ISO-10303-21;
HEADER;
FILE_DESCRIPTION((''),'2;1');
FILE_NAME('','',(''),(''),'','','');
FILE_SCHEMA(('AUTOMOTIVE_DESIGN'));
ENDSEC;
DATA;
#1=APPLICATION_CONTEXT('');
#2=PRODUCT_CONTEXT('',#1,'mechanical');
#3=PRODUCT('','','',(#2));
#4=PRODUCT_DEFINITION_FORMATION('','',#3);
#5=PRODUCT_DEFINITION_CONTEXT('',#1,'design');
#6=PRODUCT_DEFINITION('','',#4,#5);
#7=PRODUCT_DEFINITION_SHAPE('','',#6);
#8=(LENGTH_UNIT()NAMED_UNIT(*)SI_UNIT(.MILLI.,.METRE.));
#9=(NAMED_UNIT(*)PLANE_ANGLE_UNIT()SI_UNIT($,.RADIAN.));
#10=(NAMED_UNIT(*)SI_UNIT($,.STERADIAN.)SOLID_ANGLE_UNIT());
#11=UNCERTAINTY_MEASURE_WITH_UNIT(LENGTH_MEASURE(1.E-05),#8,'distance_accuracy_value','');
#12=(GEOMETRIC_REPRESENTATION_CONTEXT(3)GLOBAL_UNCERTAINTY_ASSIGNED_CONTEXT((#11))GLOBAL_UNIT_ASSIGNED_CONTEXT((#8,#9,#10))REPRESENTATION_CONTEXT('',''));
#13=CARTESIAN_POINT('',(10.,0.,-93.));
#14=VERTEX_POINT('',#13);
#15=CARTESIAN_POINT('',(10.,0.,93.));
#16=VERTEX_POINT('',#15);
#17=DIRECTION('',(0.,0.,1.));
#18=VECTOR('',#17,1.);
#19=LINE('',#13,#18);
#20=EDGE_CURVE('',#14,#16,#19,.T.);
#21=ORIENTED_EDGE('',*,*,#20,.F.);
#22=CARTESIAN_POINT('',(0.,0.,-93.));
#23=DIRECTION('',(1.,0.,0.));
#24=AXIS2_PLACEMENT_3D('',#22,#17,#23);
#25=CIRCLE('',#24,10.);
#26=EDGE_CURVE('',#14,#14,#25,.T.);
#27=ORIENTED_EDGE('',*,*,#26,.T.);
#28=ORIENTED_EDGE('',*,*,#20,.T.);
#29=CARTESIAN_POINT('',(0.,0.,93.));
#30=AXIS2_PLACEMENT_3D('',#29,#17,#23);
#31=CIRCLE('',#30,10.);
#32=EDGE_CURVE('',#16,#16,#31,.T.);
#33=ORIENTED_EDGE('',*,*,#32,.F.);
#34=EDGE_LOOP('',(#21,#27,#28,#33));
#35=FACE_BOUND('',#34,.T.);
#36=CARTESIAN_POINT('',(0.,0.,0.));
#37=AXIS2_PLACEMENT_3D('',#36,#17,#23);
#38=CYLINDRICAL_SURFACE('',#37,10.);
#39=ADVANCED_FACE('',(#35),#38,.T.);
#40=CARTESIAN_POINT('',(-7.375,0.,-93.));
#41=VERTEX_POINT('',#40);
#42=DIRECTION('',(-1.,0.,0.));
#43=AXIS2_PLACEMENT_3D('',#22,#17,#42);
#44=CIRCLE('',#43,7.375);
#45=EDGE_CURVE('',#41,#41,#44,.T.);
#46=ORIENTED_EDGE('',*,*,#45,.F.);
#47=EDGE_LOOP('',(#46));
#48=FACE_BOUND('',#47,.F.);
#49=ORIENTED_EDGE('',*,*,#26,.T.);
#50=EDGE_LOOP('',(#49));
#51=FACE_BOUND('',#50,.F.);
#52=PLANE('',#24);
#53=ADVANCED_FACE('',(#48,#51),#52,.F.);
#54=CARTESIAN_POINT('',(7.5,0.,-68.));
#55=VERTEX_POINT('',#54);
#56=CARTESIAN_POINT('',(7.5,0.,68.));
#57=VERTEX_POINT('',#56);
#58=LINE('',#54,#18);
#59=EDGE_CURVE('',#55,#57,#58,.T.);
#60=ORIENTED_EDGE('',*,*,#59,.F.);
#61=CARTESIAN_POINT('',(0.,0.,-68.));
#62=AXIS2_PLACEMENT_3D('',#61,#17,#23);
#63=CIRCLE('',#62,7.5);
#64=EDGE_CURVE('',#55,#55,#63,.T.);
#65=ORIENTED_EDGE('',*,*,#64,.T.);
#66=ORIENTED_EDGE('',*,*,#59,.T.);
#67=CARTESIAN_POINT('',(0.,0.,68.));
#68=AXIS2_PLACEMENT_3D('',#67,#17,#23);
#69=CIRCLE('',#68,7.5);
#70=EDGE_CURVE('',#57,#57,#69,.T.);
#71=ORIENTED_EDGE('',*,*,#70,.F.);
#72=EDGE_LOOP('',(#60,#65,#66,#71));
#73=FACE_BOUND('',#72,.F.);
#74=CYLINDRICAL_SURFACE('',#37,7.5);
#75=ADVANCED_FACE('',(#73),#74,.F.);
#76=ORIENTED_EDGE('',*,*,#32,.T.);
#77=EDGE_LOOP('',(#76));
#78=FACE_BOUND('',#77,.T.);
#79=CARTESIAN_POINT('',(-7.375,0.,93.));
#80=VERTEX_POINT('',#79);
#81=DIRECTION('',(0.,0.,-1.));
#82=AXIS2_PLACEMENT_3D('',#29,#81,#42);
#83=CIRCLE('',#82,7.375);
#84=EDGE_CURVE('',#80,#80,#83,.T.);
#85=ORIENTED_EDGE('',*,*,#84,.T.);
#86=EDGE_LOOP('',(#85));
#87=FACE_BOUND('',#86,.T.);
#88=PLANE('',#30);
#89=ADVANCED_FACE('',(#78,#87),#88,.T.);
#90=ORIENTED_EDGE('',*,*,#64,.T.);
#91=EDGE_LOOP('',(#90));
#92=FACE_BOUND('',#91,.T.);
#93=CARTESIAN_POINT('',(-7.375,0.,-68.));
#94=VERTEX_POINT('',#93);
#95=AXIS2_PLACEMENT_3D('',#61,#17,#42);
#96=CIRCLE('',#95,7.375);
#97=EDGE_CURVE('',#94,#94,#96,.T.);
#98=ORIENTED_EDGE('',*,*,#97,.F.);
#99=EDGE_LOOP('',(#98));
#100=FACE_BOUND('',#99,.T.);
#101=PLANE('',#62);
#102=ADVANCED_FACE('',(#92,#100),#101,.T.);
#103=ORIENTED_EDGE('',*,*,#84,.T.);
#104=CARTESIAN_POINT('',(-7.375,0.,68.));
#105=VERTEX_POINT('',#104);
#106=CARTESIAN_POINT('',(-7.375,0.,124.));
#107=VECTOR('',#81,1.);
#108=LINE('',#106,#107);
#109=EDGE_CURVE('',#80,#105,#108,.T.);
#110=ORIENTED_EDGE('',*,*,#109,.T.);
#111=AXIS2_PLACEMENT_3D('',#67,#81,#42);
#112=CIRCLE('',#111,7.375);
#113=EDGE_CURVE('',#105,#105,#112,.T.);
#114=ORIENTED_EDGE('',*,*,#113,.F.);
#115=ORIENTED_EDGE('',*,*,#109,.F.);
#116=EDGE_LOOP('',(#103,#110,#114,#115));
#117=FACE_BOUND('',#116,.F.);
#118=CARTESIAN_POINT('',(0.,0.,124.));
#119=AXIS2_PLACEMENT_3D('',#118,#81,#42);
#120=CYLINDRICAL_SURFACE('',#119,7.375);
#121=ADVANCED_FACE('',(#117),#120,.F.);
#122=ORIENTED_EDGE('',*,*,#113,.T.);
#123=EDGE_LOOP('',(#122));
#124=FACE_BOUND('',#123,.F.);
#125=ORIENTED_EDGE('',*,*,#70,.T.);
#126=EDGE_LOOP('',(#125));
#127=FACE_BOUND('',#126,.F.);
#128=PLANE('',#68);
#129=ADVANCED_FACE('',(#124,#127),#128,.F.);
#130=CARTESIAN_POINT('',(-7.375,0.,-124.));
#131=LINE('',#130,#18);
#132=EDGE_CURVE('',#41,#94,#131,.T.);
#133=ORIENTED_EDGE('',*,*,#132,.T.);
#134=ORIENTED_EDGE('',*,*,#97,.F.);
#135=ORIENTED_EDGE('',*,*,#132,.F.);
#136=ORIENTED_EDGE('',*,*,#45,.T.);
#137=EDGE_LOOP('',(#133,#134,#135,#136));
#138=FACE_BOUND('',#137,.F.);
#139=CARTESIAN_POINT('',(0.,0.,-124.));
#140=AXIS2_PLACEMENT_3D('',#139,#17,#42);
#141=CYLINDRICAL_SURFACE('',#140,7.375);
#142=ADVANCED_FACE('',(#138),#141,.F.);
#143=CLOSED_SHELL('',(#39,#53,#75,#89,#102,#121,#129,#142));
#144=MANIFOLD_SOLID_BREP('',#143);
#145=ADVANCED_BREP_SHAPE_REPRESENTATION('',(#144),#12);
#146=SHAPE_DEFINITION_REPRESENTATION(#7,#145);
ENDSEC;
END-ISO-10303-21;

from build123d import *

# Parameters (mm, degrees)
F0_R           = 10
F1_DEPTH       = 93
F4_D           = 14.75
F4_DEPTH       = 31
F4_TIP         = 4.4313470653
F4_ON_F2_D     = 14.75
F4_ON_F2_DEPTH = 31
F4_ON_F2_TIP   = 4.4313470653
F5_R           = 7.5
F6_DEPTH       = 68


with BuildPart() as f1:
    # F0 (on Top) → F1 (new body, symmetric)
    with BuildSketch(Plane.XY):
        Circle(F0_R)
    extrude(amount=F1_DEPTH, both=True)

    # F4
    with Locations(Plane.XY.offset(93)):
        with Locations((0, 0)):
            Hole(F4_D / 2, depth=F4_DEPTH)
            with Locations((0, 0, -(F4_DEPTH + F4_TIP / 2))):  # 118° drill point
                Cone(0, F4_D / 2, F4_TIP, mode=Mode.SUBTRACT)

    # F4 on F2
    with Locations(Plane(origin=(0, 0, -93), x_dir=(1, 0, 0), z_dir=(0, 0, -1))):
        with Locations((0, 0)):
            Hole(F4_ON_F2_D / 2, depth=F4_ON_F2_DEPTH)
            with Locations((0, 0, -(F4_ON_F2_DEPTH + F4_ON_F2_TIP / 2))):  # 118° drill point
                Cone(0, F4_ON_F2_D / 2, F4_ON_F2_TIP, mode=Mode.SUBTRACT)

    # F5 (on Top) → F6 (cut, symmetric)
    with BuildSketch(Plane.XY):
        Circle(F5_R)
    extrude(amount=F6_DEPTH, both=True, mode=Mode.SUBTRACT)


solid = f1.part
